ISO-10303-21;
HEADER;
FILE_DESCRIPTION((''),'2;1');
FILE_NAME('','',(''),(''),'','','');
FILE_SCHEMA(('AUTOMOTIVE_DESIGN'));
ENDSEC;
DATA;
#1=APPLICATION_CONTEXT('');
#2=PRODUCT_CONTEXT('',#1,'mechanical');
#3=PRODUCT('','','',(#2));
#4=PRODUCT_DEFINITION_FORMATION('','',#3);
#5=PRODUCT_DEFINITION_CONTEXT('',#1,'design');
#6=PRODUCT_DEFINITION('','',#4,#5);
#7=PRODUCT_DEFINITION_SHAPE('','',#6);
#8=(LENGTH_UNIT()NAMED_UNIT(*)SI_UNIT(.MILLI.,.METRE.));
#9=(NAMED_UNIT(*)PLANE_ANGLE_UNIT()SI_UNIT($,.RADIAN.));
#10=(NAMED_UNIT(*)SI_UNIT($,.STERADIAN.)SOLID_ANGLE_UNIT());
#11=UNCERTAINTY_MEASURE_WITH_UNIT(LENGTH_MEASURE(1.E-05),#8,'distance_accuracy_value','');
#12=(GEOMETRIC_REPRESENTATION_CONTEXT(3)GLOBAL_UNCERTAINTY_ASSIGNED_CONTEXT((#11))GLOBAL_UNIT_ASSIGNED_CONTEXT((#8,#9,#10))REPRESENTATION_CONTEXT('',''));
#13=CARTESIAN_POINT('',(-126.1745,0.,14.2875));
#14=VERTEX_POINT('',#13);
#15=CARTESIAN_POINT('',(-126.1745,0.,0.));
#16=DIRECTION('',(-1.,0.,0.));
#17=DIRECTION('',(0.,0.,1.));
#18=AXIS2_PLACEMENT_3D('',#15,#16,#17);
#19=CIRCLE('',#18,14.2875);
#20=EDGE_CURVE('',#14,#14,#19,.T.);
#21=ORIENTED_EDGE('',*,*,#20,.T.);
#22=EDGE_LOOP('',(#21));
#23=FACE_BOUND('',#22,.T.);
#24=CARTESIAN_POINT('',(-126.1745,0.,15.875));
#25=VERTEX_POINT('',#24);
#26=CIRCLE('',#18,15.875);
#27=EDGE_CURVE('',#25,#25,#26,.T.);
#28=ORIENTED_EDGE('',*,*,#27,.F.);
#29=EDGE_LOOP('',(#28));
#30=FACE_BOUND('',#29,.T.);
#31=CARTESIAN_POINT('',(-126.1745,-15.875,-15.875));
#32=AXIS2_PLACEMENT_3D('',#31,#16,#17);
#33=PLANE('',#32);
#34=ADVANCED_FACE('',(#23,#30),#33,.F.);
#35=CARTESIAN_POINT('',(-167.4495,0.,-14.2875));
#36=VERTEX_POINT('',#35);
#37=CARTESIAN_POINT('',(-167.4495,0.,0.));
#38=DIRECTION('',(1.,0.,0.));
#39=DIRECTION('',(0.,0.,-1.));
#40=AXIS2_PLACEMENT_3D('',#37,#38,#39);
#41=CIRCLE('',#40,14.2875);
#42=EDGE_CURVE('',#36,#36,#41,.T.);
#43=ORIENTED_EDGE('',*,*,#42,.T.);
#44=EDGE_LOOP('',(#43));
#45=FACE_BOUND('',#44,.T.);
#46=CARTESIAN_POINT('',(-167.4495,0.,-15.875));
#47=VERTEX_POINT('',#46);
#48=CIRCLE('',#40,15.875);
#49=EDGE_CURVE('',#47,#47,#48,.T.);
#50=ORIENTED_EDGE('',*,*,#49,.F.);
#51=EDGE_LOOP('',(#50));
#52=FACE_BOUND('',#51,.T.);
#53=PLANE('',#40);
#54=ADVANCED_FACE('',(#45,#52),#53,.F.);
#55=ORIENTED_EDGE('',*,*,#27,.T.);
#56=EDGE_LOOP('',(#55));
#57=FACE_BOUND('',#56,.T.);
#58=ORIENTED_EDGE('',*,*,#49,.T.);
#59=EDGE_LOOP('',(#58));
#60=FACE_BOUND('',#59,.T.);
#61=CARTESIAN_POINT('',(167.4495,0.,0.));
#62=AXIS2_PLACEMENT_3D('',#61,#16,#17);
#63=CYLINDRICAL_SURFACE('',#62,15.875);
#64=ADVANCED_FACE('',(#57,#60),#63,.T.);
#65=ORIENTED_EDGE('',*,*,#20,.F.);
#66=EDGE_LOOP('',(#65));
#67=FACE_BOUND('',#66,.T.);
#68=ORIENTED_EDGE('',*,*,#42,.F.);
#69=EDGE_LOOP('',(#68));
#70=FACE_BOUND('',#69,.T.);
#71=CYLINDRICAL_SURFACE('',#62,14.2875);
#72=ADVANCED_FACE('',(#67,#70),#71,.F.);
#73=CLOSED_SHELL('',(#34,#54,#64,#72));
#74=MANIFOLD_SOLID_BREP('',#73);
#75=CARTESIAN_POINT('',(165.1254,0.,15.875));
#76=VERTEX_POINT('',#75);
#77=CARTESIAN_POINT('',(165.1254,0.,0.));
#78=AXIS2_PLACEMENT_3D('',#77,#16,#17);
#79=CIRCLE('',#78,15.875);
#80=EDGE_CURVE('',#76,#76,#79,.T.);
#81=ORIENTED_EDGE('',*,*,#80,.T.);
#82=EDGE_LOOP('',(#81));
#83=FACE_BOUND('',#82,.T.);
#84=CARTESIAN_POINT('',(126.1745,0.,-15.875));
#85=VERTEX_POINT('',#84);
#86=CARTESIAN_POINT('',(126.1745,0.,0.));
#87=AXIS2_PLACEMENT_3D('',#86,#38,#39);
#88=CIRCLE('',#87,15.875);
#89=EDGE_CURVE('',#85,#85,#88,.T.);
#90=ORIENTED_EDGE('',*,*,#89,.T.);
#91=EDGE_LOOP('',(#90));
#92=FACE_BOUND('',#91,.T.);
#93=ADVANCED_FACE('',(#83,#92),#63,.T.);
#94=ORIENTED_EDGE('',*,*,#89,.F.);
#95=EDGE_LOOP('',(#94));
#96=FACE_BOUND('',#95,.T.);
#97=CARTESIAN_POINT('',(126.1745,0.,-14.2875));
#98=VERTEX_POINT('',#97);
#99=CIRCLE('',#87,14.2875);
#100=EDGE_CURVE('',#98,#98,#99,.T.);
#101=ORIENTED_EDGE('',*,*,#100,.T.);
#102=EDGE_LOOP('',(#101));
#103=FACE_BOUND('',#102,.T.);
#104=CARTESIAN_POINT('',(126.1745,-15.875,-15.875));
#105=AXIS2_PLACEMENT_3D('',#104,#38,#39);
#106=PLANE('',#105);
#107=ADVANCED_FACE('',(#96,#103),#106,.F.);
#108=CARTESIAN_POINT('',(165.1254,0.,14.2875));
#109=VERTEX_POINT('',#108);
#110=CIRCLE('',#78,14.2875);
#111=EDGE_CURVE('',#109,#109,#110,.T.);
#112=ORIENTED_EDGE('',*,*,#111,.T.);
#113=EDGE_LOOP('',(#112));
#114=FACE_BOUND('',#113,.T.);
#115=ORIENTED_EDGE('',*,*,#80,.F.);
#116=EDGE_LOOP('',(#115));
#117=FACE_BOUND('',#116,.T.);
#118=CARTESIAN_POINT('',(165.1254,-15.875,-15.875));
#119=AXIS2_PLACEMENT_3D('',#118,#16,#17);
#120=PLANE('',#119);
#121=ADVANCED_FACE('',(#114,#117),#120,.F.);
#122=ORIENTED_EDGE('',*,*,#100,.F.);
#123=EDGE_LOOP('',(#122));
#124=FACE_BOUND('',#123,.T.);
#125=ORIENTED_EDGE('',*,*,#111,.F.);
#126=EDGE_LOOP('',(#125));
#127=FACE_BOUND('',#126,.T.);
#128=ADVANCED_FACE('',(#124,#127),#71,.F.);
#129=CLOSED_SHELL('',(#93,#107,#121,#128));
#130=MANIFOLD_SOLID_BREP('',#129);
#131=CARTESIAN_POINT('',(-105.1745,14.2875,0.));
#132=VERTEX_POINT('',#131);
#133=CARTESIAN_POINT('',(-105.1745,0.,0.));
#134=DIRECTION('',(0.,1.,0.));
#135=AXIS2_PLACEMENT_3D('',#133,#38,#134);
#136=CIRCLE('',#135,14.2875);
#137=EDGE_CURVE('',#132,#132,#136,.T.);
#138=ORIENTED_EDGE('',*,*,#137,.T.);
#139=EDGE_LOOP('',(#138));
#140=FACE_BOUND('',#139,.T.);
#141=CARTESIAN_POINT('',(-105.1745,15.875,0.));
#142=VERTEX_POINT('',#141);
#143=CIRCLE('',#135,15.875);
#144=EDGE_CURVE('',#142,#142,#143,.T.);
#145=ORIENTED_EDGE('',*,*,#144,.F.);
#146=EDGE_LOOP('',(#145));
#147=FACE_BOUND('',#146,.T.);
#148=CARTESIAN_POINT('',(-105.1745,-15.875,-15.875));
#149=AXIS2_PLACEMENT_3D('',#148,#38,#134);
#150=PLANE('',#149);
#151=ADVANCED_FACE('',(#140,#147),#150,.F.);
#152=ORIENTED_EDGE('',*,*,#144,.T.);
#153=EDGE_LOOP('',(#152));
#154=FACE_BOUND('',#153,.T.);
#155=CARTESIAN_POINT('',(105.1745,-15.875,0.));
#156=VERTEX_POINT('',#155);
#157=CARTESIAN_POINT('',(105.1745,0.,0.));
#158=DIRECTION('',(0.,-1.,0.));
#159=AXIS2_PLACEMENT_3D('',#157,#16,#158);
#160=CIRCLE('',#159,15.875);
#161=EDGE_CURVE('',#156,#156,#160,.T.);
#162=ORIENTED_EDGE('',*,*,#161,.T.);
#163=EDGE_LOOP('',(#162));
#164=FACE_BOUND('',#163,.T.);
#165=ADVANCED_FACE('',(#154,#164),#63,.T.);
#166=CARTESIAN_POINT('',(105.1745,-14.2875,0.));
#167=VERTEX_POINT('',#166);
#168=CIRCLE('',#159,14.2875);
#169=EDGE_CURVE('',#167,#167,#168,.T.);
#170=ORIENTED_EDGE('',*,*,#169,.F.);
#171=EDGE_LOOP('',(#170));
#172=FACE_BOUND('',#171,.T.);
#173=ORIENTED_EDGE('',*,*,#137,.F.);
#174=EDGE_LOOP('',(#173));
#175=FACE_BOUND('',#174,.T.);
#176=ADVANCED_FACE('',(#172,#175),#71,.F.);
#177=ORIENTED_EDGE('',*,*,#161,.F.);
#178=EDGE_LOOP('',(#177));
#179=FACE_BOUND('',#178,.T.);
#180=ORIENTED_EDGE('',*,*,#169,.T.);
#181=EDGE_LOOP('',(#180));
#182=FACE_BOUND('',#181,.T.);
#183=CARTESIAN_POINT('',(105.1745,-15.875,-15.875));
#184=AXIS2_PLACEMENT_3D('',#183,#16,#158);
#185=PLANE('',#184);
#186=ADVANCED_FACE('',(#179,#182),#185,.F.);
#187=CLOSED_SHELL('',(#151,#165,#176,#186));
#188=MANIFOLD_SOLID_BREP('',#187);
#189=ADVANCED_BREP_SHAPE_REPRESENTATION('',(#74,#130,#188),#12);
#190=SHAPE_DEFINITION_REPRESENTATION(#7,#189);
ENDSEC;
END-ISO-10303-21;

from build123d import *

# Parameters (mm, degrees)
SKETCH1_R               = 15.875
SKETCH1_R_2             = 14.2875
EXTRUDE_THIN1_DEPTH     = 167.4495
CUT_EXTRUDE1_DEPTH      = 169.947821236
CUT_EXTRUDE1_DEPTH_BACK = 169.947821236
SKETCH2_W               = 20.99999991
SKETCH2_H               = 31.75
SKETCH2_W_2             = 2.3241


with BuildPart() as part:
    # Sketch1 → Extrude-Thin1 (new, symmetric)
    with BuildSketch(Plane(origin=(0, 0, 0), x_dir=(0, 0, -1), z_dir=(1, 0, 0))):
        Circle(SKETCH1_R)
        Circle(SKETCH1_R_2, mode=Mode.SUBTRACT)
    extrude(amount=EXTRUDE_THIN1_DEPTH, both=True)

    # Sketch2 → Cut-Extrude1 (cut, two sides: drawn at the far end of the back side and taken through both)
    with BuildSketch(Plane.XY.offset(-CUT_EXTRUDE1_DEPTH_BACK)):
        with Locations((115.674500045, 0)):
            Rectangle(SKETCH2_W, SKETCH2_H)
        with Locations((-115.674500045, 0)):
            Rectangle(SKETCH2_W, SKETCH2_H)
        with Locations((166.28745, 0)):
            Rectangle(SKETCH2_W_2, SKETCH2_H)
    extrude(amount=CUT_EXTRUDE1_DEPTH + CUT_EXTRUDE1_DEPTH_BACK, mode=Mode.SUBTRACT)


with BuildPart() as cut_extrude1_piece_1:
    # of the separate pieces the step leaves, piece 1, a body of its own (cut_extrude1_pieces)
    add(part.part.solids().sort_by_distance((-105.17450009, 0, -15.875))[0])


with BuildPart() as cut_extrude1_piece_2:
    # of the separate pieces the step leaves, piece 2, a body of its own (cut_extrude1_pieces)
    add(part.part.solids().sort_by_distance((-167.4495, 0, -15.875))[0])


with BuildPart() as cut_extrude1_piece_3:
    # of the separate pieces the step leaves, piece 3, a body of its own (cut_extrude1_pieces)
    add(part.part.solids().sort_by_distance((126.1745, 0, -15.875))[0])


solid = Compound([cut_extrude1_piece_1.part, cut_extrude1_piece_2.part, cut_extrude1_piece_3.part])
